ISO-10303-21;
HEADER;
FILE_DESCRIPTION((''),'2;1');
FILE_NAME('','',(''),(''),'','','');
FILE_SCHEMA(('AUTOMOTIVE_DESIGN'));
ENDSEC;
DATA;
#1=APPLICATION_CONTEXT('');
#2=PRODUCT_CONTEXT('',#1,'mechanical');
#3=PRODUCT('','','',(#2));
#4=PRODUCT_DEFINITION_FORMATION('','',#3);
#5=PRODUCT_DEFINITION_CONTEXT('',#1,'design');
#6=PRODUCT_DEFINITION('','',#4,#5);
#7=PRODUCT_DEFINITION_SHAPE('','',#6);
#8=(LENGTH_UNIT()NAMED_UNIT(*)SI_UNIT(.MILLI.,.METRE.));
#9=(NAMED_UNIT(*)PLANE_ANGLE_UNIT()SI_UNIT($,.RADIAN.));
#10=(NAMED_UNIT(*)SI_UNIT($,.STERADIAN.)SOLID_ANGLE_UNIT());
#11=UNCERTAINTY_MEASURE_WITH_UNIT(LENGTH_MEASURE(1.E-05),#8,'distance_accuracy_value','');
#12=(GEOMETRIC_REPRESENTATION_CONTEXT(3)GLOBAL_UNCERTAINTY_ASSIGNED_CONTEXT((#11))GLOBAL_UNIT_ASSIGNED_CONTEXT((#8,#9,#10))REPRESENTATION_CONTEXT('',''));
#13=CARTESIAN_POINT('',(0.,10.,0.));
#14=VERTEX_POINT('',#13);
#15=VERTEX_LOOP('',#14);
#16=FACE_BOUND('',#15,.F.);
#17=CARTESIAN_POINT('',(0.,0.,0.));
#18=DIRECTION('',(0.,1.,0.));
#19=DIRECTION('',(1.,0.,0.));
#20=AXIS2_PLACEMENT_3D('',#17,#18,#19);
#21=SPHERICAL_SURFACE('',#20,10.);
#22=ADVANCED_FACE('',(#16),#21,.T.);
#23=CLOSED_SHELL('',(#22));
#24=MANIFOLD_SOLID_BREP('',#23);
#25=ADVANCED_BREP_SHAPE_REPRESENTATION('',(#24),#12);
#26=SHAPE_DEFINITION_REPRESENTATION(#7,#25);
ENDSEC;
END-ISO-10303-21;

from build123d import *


with BuildPart() as part:
    # Sketch1 → Revolve1 (revolve)
    with BuildSketch(Plane.XY):
        with BuildLine():
            Line((0, 10), (0, -10))
            ThreePointArc((0, -10), (10, 0), (0, 10))
        make_face()
    revolve(axis=Axis((0, 10, 0), (0, -1, 0)))


solid = part.part
